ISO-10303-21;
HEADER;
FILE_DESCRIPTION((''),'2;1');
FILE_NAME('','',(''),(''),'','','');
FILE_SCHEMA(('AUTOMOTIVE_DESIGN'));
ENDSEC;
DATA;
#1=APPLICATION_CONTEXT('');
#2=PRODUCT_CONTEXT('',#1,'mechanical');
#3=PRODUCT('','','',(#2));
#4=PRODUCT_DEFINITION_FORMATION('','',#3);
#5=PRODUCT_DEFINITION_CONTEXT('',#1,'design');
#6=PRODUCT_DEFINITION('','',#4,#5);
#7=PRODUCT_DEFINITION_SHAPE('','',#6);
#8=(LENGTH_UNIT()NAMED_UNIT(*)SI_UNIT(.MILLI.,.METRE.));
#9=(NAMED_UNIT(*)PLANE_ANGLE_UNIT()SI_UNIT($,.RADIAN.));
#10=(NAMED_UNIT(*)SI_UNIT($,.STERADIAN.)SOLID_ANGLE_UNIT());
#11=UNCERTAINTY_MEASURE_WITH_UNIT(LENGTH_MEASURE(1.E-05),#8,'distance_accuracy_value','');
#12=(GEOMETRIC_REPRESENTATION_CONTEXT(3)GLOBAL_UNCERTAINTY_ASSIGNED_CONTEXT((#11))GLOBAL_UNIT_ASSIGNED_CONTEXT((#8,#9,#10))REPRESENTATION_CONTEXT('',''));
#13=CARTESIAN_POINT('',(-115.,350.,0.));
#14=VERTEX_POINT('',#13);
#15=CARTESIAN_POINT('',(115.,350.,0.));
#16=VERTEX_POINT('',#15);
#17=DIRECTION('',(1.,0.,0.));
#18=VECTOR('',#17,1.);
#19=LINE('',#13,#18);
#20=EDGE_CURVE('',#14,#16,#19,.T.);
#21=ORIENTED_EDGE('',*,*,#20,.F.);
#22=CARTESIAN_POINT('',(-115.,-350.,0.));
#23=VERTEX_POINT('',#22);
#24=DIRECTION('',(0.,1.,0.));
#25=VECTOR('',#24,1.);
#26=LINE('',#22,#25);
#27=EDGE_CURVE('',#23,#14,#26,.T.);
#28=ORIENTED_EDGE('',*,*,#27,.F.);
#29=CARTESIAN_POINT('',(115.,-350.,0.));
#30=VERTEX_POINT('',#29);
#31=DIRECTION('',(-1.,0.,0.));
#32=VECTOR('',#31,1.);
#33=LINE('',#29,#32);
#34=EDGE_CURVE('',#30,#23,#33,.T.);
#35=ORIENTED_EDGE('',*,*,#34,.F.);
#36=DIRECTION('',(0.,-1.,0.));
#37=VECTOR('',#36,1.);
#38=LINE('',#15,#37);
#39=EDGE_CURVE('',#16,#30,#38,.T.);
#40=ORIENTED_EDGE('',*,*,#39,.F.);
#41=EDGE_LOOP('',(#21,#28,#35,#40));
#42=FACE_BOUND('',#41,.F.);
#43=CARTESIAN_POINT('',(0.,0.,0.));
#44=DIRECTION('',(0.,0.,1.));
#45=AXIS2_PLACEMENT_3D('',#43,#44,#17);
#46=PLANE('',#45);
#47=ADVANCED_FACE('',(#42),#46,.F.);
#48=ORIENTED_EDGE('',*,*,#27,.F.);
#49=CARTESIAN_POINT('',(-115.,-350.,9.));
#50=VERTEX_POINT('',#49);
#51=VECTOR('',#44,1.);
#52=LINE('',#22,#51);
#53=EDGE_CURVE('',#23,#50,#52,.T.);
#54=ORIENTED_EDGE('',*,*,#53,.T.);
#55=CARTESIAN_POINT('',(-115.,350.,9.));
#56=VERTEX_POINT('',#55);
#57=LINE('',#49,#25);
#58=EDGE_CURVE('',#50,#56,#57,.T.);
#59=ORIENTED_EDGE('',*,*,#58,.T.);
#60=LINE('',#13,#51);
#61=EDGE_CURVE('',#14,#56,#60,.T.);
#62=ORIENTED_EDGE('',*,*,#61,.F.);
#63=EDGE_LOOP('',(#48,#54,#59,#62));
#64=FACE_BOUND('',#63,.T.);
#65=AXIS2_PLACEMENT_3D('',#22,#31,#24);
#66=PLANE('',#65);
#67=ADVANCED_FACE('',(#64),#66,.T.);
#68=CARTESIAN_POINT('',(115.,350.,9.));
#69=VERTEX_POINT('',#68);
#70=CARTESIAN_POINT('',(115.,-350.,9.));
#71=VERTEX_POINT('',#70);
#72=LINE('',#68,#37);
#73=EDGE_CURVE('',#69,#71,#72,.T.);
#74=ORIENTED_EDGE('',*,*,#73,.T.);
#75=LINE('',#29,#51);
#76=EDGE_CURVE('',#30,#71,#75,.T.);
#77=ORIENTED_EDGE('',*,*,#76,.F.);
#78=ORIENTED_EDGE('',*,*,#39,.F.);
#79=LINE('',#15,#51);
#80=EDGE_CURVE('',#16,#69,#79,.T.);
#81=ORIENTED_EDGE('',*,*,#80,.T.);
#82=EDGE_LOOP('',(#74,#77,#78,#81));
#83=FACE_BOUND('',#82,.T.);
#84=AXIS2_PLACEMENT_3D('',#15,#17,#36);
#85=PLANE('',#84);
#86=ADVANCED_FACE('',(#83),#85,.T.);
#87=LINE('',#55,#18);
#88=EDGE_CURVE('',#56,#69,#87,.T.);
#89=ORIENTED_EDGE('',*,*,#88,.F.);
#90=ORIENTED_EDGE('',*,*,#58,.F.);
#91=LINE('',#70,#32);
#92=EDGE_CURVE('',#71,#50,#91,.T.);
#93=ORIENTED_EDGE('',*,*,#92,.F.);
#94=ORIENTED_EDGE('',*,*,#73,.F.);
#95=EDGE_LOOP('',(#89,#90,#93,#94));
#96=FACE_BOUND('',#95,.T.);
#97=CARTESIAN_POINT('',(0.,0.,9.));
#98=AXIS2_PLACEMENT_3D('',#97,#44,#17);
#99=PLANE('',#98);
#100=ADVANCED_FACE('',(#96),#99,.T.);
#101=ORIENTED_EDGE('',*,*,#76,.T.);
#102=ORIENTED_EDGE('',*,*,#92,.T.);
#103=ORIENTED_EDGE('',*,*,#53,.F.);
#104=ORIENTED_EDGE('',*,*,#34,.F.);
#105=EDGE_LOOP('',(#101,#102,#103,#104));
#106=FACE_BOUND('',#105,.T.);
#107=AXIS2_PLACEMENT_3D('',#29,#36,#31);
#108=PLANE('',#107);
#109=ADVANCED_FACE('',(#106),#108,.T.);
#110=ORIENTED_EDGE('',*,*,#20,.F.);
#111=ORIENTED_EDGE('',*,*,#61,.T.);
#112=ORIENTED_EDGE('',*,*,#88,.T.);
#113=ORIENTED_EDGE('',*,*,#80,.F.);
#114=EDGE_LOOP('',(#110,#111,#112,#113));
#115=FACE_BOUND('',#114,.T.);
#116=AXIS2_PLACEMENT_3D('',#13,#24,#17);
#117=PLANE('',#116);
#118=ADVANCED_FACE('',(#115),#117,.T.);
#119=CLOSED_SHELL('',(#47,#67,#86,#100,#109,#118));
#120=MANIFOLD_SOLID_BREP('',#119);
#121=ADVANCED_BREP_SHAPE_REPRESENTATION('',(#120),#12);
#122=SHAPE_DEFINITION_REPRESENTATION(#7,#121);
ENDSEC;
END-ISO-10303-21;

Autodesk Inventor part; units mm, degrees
ref_plane "YZ Plane" through (0, 0, 0) normal (1, 0, 0) x (0, 1, 0)
ref_plane "XZ Plane" through (0, 0, 0) normal (0, 1, 0) x (-1, 0, 0)
ref_plane "XY Plane" through (0, 0, 0) normal (0, 0, 1) x (1, 0, 0)
sketch "Sketch1" plane through (0, 0, 0) normal (0, 0, 1) x (1, 0, 0)
  line L0 (115, -350) -> (-115, -350)
  line L1 (-115, -350) -> (-115, 350)
  line L2 (-115, 350) -> (115, 350)
  line L3 (115, 350) -> (115, -350)
  line L4 (115, -350) -> (-115, 350) construction
  line L5 (-115, -350) -> (115, 350) construction
  point P0 (0, 0)
  dimension "d0" = 700
  dimension "d1" = 230
extrude "Extrusion1" add sketch "Sketch1" along normal blind 9
properties part number "GBX_007.1-backplate_hi"
